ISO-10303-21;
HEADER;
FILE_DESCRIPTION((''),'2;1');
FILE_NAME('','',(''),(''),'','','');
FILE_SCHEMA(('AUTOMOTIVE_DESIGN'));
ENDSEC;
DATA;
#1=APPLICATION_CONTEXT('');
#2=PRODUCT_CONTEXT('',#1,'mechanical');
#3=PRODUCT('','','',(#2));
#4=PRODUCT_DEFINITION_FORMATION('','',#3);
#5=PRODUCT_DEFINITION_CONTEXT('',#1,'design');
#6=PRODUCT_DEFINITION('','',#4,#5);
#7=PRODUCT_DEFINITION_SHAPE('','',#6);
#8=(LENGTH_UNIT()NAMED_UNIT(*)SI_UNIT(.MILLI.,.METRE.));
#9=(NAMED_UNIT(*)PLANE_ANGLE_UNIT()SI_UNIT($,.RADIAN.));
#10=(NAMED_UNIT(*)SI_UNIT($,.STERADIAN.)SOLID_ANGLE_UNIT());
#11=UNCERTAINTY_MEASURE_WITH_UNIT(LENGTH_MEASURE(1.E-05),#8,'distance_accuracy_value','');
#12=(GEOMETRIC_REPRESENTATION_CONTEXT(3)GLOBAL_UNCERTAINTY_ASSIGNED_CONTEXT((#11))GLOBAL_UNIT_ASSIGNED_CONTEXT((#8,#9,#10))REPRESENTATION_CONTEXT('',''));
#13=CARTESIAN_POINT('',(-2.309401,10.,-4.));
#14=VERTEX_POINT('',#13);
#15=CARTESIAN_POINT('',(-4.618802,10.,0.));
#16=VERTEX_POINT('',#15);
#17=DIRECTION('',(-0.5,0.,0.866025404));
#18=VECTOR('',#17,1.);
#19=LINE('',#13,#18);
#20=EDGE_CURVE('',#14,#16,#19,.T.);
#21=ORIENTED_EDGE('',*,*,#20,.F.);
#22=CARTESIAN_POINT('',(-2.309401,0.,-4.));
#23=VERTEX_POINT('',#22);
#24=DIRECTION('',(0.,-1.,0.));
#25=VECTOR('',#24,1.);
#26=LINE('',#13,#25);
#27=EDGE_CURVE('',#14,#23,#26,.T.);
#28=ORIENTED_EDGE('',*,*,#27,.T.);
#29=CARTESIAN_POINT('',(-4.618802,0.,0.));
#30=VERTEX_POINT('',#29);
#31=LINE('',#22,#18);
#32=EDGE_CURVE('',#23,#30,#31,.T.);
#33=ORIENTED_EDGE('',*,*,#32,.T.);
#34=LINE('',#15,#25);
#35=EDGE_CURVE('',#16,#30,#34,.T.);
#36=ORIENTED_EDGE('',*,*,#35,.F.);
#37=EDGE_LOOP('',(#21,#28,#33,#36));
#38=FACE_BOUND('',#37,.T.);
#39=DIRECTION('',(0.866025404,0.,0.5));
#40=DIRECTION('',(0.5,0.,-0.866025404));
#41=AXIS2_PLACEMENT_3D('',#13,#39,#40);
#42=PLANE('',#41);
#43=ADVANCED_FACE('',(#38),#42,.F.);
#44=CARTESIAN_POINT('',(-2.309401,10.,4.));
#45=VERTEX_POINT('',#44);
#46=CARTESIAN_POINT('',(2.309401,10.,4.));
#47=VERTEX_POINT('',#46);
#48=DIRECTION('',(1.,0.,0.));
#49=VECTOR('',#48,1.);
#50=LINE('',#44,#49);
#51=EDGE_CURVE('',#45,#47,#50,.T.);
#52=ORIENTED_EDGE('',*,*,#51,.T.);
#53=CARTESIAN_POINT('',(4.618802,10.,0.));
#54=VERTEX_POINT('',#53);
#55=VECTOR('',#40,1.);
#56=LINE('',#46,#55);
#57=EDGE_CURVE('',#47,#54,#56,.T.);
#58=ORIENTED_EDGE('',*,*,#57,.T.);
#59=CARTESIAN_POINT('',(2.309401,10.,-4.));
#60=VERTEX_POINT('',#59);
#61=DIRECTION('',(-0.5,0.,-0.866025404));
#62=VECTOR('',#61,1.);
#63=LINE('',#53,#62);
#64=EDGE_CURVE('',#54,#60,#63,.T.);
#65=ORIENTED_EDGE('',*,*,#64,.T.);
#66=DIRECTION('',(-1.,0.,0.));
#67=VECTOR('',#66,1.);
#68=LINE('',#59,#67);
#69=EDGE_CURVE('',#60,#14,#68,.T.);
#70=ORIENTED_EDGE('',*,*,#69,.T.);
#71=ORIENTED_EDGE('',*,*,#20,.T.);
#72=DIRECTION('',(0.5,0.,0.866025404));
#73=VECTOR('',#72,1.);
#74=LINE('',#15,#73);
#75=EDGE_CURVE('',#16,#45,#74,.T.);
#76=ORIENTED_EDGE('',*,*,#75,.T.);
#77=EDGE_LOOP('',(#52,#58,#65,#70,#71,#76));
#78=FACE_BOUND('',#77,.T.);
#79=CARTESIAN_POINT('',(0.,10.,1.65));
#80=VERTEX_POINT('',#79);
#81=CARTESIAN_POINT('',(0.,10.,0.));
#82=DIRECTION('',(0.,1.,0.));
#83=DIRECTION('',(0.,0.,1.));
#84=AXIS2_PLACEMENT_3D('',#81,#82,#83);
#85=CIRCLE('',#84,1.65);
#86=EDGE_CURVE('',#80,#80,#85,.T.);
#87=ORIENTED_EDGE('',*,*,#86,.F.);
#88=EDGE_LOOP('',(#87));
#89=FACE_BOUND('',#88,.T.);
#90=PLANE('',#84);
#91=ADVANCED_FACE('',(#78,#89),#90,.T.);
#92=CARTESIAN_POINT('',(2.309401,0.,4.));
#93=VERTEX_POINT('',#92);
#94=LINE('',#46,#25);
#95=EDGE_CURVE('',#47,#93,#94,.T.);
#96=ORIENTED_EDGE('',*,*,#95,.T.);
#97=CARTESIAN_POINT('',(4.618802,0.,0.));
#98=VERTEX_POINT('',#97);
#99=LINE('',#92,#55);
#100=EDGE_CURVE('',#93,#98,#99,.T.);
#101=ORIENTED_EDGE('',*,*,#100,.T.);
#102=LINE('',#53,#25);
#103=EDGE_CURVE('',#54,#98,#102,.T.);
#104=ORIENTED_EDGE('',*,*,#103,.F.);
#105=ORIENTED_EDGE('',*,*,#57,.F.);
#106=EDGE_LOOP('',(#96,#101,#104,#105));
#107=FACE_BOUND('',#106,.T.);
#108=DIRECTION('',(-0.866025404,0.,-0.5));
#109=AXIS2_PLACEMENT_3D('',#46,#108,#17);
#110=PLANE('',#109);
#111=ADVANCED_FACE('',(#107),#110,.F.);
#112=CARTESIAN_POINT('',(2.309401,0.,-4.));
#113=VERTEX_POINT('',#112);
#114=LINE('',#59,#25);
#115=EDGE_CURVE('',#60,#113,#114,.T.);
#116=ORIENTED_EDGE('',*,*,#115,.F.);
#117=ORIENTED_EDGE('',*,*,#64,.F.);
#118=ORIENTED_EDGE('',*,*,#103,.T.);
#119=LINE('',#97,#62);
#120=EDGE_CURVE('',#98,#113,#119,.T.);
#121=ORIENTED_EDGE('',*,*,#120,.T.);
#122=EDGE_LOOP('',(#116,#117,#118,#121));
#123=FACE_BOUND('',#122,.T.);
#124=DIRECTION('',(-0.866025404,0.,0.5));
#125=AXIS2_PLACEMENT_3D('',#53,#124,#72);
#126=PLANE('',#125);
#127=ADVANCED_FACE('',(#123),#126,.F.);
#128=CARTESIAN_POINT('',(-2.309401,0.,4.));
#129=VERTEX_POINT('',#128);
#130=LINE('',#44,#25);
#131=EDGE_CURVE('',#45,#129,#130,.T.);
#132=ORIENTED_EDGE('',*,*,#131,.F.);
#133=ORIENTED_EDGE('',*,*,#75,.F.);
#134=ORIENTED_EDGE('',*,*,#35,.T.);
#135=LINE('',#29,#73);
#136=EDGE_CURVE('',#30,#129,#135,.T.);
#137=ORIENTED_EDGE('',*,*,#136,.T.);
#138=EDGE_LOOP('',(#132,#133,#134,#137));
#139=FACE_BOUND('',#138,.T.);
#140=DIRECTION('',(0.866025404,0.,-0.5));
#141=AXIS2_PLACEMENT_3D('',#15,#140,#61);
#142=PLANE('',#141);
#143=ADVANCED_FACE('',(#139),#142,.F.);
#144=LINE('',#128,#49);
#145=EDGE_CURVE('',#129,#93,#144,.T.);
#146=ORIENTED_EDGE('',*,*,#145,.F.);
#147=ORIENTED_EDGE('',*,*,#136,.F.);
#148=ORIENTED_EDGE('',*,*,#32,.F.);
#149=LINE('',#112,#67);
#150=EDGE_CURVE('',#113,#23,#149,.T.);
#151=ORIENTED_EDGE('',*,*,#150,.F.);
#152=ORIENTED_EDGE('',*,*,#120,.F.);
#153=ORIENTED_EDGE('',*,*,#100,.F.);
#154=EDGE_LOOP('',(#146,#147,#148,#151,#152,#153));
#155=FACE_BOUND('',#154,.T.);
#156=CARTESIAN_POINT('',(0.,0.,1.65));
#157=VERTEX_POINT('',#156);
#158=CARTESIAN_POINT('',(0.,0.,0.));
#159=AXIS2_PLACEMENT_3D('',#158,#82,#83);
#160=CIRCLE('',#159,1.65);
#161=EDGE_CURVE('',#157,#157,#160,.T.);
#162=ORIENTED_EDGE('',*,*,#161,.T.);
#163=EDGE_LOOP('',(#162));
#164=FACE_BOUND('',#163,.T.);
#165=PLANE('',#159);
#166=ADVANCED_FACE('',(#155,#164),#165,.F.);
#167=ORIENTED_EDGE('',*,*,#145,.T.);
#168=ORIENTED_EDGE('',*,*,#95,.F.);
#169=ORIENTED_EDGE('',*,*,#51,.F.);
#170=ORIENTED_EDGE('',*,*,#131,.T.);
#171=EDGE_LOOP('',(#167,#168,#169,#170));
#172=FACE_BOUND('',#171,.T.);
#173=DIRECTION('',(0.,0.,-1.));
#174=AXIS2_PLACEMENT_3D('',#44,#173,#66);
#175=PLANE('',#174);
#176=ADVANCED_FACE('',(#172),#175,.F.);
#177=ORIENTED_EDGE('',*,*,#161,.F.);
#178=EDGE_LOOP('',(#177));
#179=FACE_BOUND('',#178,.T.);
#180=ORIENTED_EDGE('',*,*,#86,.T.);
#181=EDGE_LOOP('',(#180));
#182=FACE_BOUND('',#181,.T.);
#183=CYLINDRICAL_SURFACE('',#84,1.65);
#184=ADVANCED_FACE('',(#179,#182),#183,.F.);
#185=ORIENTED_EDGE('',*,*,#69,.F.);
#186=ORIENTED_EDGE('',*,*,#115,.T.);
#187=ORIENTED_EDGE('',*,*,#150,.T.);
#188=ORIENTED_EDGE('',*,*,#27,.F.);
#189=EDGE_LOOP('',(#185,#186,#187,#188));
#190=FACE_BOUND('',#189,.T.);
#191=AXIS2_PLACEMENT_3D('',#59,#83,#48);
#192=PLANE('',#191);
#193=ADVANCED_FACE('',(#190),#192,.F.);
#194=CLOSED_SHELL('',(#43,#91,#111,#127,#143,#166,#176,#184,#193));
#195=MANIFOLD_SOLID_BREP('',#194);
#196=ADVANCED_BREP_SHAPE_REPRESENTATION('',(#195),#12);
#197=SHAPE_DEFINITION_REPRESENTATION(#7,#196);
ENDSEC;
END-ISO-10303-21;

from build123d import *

# Parameters (mm, degrees)
EXTRUDE_1_DEPTH        = 10
HOLE_WIZARD_M4_1_D     = 3.3
HOLE_WIZARD_M4_1_DEPTH = 14.1
HOLE_WIZARD_M4_1_TIP   = 0.991420021


with BuildPart() as part:
    # 草图1 → 凸台-拉伸1 (new body)
    with BuildSketch(Plane(origin=(0, 0, 0), x_dir=(1, 0, 0), z_dir=(0, 1, 0))):
        Polygon((2.309401077, 4), (-2.309401077, 4), (-4.618802154, 0), (-2.309401077, -4), (2.309401077, -4), (4.618802154, 0), align=None)
    extrude(amount=EXTRUDE_1_DEPTH)

    # M4 螺纹孔1
    with Locations(Plane(origin=(0, 10, 0), x_dir=(1, 0, 0), z_dir=(0, 1, 0))):
        with Locations((0, 0)):
            Hole(HOLE_WIZARD_M4_1_D / 2, depth=HOLE_WIZARD_M4_1_DEPTH)
            with Locations((0, 0, -(HOLE_WIZARD_M4_1_DEPTH + HOLE_WIZARD_M4_1_TIP / 2))):  # 118° drill point
                Cone(0, HOLE_WIZARD_M4_1_D / 2, HOLE_WIZARD_M4_1_TIP, mode=Mode.SUBTRACT)


solid = part.part
